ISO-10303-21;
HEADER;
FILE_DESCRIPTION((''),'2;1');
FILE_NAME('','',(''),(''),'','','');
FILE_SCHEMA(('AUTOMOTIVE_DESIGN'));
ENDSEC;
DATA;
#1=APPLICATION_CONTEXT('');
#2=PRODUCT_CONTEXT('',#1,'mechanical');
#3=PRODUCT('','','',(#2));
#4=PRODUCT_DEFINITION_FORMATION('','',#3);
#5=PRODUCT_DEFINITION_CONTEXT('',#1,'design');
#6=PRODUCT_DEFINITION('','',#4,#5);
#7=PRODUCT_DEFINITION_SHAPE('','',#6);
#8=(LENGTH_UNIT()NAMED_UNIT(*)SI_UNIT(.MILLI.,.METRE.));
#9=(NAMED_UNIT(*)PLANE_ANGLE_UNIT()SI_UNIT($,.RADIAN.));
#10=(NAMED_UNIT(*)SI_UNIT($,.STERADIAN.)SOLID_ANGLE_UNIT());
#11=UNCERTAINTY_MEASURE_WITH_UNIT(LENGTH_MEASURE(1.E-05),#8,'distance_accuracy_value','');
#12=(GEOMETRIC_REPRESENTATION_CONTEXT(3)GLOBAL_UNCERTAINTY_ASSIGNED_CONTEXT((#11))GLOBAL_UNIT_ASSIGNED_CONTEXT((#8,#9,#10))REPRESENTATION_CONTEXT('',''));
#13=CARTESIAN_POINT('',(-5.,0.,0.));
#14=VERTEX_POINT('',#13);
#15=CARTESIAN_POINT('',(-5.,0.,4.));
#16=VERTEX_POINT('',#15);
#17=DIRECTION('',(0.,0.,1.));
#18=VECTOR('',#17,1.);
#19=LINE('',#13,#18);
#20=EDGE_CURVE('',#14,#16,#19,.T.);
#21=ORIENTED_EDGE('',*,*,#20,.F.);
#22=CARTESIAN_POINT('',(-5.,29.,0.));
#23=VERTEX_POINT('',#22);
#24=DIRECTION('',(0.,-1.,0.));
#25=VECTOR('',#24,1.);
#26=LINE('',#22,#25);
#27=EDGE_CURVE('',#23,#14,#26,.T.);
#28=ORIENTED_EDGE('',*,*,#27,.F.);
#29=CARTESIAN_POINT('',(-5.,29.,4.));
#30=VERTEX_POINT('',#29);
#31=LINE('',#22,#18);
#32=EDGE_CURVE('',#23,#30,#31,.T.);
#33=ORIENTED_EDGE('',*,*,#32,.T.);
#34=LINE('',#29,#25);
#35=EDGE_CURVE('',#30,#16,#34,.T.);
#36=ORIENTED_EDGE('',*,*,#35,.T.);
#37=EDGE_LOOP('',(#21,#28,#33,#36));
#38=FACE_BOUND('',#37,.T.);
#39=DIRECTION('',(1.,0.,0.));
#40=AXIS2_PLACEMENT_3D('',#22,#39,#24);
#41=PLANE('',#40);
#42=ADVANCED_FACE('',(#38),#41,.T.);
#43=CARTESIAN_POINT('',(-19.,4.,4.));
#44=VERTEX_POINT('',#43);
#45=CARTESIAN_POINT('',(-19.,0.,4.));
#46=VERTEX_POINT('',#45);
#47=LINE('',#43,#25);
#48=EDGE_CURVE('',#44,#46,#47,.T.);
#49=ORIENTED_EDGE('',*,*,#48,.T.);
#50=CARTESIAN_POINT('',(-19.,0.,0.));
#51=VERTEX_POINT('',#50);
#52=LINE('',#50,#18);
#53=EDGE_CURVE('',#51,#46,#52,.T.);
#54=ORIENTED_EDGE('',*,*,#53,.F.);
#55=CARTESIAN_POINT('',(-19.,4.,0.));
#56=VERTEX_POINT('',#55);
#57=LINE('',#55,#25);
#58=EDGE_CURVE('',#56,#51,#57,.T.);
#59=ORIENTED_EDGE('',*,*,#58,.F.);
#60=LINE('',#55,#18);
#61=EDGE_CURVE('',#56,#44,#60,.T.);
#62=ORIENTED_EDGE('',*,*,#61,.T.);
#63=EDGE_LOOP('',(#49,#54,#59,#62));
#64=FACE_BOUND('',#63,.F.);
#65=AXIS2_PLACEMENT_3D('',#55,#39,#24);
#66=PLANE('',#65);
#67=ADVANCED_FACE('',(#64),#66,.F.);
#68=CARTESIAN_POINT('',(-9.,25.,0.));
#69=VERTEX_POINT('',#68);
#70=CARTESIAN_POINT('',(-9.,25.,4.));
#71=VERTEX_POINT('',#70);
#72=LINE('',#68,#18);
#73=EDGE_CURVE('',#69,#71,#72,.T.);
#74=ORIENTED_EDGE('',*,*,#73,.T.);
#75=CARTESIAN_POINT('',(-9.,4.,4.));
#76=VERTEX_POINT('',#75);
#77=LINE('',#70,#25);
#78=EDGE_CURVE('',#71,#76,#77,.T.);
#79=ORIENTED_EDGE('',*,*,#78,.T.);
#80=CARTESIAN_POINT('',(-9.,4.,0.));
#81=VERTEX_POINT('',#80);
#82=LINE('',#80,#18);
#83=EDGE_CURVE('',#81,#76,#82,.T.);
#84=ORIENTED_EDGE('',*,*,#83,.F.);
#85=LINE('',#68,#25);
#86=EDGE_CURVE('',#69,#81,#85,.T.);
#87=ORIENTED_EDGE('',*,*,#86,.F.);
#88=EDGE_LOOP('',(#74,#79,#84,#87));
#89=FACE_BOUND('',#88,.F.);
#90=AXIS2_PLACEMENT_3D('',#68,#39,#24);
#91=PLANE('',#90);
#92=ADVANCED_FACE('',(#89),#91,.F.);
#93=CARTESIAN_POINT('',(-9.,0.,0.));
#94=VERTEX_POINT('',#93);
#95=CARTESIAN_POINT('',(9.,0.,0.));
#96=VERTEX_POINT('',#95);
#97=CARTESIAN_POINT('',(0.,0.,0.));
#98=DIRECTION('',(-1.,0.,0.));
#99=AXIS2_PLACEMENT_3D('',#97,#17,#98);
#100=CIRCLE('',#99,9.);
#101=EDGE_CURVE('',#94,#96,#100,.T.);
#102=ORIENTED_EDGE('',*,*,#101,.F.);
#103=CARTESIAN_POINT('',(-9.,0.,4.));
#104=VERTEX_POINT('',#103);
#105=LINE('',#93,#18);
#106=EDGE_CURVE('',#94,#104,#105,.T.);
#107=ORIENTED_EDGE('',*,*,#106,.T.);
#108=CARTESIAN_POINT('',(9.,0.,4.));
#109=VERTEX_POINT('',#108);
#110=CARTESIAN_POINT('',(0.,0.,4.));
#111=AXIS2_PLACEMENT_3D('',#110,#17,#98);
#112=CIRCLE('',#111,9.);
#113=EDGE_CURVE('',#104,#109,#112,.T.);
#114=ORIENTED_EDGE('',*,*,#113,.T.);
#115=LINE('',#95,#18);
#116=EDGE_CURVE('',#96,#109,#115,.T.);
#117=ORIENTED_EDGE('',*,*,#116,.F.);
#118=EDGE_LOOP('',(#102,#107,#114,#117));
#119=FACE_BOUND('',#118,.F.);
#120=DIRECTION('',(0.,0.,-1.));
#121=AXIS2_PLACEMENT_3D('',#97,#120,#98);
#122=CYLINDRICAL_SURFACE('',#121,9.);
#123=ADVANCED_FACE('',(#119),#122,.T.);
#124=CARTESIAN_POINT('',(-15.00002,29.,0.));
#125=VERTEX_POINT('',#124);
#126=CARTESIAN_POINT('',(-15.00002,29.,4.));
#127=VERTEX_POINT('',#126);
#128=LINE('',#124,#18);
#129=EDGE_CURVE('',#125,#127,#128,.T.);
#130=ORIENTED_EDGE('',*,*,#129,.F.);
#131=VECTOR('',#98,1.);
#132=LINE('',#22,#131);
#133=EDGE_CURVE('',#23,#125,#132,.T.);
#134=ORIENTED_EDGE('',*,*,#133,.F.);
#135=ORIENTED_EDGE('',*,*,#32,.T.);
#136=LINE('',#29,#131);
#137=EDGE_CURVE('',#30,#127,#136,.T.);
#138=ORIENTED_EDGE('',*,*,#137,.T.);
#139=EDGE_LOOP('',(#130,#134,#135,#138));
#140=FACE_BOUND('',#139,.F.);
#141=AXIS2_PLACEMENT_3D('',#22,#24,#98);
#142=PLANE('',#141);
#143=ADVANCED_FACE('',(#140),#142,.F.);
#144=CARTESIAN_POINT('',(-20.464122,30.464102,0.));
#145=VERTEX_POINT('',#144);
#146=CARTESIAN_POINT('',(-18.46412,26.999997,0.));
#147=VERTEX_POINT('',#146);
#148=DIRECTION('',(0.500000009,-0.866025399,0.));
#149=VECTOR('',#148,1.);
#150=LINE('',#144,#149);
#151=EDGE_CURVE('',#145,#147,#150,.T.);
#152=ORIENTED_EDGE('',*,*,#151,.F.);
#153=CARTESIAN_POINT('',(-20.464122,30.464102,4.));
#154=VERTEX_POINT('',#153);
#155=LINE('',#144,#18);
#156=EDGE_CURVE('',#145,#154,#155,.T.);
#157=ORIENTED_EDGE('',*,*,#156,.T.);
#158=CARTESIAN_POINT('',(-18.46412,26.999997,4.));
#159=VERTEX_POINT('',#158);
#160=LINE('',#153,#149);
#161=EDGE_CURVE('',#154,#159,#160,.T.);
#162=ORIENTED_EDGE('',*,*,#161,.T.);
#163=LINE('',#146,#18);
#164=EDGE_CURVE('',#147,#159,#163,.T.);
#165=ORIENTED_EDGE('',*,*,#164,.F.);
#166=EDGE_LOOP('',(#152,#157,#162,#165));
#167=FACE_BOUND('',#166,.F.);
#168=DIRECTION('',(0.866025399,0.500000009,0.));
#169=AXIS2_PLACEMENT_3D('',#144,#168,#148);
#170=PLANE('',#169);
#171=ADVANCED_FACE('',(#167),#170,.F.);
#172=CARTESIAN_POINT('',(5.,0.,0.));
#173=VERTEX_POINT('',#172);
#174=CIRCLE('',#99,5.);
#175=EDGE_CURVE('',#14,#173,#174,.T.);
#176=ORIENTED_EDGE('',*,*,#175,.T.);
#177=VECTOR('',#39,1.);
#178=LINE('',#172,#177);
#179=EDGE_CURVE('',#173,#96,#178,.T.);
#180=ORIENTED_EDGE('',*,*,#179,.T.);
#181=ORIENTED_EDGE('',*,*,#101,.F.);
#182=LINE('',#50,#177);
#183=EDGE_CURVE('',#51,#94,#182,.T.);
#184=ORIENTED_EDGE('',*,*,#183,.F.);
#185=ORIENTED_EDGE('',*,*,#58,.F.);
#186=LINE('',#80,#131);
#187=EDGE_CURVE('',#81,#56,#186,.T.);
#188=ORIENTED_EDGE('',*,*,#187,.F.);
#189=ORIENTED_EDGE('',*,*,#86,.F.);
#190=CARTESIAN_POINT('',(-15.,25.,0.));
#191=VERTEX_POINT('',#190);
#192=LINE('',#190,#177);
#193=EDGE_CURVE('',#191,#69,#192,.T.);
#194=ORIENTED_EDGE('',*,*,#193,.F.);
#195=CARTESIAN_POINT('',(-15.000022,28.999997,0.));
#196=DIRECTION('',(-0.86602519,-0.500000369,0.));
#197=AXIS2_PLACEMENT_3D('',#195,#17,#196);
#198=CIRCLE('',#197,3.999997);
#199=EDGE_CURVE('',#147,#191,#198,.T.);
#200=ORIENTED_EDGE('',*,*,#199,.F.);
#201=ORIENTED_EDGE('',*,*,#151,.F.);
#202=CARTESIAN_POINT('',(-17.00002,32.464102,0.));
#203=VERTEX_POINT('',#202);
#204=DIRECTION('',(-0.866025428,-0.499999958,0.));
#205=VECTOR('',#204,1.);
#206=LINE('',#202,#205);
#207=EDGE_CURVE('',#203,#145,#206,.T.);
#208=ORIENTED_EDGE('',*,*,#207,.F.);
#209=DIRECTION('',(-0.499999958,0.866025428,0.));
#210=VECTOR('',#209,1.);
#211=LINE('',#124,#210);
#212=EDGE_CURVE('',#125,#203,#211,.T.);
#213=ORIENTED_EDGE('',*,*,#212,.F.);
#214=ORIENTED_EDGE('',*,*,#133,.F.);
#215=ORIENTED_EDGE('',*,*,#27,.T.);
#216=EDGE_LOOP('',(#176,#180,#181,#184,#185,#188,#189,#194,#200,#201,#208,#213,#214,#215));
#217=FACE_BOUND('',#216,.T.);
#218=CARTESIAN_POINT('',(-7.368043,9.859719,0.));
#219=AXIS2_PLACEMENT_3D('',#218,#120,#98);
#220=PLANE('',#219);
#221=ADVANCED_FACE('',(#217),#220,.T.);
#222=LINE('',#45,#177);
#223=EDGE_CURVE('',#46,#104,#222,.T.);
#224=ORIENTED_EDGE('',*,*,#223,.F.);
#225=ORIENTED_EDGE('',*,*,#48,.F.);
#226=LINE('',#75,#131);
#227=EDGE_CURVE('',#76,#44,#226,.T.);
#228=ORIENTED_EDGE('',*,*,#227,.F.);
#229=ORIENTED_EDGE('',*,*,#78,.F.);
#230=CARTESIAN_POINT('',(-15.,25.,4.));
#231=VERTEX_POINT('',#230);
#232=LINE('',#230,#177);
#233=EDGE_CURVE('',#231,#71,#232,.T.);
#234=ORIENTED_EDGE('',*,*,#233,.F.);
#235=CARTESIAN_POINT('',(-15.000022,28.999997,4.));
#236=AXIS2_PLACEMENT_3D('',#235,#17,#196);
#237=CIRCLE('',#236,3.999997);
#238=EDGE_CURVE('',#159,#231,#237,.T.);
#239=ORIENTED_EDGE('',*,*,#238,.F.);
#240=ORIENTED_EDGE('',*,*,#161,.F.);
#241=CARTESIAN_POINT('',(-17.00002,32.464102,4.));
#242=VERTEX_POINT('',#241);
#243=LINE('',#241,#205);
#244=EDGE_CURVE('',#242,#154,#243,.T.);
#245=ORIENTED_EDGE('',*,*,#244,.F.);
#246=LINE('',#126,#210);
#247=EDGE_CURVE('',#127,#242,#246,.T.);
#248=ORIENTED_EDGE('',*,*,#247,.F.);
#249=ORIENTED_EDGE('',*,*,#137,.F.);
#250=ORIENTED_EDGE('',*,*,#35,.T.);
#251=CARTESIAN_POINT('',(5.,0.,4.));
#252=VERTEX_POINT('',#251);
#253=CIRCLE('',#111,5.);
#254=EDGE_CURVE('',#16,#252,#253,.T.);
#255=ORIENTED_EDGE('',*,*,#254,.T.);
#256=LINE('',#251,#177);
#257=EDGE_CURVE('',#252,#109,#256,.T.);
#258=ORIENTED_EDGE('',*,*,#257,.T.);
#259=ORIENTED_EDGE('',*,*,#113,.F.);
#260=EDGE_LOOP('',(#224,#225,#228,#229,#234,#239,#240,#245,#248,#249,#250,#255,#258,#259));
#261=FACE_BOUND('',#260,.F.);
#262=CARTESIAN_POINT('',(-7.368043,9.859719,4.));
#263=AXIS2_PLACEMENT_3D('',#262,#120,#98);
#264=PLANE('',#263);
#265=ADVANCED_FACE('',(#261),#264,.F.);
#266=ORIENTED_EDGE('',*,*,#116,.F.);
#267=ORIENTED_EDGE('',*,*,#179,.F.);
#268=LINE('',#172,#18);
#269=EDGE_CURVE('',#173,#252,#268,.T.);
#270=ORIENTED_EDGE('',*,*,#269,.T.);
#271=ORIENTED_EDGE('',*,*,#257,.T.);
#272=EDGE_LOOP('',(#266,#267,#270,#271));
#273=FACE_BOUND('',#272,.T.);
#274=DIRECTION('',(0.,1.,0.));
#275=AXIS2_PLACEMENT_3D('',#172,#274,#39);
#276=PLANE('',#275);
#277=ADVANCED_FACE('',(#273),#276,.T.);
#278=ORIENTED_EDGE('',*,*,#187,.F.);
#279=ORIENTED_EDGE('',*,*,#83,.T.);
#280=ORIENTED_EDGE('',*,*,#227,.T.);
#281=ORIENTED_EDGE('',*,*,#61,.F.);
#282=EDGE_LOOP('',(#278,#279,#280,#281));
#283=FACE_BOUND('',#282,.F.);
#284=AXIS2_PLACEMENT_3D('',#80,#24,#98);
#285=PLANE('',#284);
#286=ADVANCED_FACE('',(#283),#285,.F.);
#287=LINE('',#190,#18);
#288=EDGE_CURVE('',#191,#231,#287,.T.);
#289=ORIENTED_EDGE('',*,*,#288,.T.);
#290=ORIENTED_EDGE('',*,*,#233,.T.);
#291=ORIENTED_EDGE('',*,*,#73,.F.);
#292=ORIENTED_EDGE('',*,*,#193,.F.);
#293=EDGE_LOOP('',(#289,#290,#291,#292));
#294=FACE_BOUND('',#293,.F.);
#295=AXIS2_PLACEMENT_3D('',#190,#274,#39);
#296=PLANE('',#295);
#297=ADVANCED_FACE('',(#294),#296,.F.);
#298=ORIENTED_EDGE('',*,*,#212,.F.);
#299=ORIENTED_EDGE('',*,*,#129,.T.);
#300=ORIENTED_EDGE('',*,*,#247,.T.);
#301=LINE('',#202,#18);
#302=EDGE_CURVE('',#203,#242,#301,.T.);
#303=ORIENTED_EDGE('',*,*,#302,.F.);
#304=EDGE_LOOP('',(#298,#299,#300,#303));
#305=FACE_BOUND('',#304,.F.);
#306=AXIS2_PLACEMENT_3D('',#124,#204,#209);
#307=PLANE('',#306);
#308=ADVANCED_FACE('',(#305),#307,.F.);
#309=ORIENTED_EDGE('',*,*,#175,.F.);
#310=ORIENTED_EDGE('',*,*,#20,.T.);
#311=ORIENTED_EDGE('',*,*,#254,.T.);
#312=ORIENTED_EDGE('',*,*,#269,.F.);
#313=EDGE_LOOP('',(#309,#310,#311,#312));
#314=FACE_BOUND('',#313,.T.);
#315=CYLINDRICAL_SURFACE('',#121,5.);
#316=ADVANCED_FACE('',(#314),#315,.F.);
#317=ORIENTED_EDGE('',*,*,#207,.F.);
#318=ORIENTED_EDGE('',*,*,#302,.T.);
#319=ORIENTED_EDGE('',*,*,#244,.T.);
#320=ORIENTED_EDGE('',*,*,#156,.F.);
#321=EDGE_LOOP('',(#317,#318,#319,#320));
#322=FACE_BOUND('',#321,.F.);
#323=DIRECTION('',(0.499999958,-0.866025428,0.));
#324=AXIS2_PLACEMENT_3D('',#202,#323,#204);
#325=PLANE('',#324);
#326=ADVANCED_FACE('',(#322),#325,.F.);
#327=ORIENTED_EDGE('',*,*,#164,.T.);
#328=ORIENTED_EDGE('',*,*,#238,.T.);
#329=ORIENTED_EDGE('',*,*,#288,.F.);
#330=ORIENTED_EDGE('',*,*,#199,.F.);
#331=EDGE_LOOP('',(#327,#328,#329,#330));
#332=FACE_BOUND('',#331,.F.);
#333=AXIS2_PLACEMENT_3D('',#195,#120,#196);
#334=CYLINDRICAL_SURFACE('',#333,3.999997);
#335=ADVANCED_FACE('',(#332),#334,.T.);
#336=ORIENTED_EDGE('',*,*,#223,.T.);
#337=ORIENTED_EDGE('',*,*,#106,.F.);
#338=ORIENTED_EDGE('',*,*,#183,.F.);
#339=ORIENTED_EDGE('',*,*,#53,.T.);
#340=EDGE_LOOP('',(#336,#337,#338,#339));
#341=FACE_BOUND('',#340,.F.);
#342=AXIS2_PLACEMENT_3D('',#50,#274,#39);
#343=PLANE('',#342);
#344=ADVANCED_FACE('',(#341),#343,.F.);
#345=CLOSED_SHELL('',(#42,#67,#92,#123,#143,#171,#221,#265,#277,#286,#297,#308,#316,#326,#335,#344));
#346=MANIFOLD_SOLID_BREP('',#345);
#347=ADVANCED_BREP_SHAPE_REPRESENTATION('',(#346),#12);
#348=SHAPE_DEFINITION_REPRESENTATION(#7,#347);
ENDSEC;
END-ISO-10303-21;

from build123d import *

# Parameters (mm, degrees)
PAD_DEPTH = 4


with BuildPart() as part:
    # Sketch → Pad (new body)
    with BuildSketch(Plane.XY):
        with BuildLine():
            Line((-5, 29), (-5, 0))
            ThreePointArc((-5, 0), (0, -5), (5, 0))
            Line((5, 0), (9, 0))
            ThreePointArc((-9, 0), (0, -9), (9, 0))
            Line((-19, 0), (-9, 0))
            Line((-19, 4), (-19, 0))
            Line((-9, 4), (-19, 4))
            Line((-9, 25), (-9, 4))
            Line((-15, 25), (-9, 25))
            ThreePointArc((-18.46412, 26.999997), (-17.00001, 25.535892), (-15, 25))
            Line((-20.464122, 30.464102), (-18.46412, 26.999997))
            Line((-17.00002, 32.464102), (-20.464122, 30.464102))
            Line((-15.00002, 29), (-17.00002, 32.464102))
            Line((-5, 29), (-15.00002, 29))
        make_face()
    extrude(amount=PAD_DEPTH)


solid = part.part
